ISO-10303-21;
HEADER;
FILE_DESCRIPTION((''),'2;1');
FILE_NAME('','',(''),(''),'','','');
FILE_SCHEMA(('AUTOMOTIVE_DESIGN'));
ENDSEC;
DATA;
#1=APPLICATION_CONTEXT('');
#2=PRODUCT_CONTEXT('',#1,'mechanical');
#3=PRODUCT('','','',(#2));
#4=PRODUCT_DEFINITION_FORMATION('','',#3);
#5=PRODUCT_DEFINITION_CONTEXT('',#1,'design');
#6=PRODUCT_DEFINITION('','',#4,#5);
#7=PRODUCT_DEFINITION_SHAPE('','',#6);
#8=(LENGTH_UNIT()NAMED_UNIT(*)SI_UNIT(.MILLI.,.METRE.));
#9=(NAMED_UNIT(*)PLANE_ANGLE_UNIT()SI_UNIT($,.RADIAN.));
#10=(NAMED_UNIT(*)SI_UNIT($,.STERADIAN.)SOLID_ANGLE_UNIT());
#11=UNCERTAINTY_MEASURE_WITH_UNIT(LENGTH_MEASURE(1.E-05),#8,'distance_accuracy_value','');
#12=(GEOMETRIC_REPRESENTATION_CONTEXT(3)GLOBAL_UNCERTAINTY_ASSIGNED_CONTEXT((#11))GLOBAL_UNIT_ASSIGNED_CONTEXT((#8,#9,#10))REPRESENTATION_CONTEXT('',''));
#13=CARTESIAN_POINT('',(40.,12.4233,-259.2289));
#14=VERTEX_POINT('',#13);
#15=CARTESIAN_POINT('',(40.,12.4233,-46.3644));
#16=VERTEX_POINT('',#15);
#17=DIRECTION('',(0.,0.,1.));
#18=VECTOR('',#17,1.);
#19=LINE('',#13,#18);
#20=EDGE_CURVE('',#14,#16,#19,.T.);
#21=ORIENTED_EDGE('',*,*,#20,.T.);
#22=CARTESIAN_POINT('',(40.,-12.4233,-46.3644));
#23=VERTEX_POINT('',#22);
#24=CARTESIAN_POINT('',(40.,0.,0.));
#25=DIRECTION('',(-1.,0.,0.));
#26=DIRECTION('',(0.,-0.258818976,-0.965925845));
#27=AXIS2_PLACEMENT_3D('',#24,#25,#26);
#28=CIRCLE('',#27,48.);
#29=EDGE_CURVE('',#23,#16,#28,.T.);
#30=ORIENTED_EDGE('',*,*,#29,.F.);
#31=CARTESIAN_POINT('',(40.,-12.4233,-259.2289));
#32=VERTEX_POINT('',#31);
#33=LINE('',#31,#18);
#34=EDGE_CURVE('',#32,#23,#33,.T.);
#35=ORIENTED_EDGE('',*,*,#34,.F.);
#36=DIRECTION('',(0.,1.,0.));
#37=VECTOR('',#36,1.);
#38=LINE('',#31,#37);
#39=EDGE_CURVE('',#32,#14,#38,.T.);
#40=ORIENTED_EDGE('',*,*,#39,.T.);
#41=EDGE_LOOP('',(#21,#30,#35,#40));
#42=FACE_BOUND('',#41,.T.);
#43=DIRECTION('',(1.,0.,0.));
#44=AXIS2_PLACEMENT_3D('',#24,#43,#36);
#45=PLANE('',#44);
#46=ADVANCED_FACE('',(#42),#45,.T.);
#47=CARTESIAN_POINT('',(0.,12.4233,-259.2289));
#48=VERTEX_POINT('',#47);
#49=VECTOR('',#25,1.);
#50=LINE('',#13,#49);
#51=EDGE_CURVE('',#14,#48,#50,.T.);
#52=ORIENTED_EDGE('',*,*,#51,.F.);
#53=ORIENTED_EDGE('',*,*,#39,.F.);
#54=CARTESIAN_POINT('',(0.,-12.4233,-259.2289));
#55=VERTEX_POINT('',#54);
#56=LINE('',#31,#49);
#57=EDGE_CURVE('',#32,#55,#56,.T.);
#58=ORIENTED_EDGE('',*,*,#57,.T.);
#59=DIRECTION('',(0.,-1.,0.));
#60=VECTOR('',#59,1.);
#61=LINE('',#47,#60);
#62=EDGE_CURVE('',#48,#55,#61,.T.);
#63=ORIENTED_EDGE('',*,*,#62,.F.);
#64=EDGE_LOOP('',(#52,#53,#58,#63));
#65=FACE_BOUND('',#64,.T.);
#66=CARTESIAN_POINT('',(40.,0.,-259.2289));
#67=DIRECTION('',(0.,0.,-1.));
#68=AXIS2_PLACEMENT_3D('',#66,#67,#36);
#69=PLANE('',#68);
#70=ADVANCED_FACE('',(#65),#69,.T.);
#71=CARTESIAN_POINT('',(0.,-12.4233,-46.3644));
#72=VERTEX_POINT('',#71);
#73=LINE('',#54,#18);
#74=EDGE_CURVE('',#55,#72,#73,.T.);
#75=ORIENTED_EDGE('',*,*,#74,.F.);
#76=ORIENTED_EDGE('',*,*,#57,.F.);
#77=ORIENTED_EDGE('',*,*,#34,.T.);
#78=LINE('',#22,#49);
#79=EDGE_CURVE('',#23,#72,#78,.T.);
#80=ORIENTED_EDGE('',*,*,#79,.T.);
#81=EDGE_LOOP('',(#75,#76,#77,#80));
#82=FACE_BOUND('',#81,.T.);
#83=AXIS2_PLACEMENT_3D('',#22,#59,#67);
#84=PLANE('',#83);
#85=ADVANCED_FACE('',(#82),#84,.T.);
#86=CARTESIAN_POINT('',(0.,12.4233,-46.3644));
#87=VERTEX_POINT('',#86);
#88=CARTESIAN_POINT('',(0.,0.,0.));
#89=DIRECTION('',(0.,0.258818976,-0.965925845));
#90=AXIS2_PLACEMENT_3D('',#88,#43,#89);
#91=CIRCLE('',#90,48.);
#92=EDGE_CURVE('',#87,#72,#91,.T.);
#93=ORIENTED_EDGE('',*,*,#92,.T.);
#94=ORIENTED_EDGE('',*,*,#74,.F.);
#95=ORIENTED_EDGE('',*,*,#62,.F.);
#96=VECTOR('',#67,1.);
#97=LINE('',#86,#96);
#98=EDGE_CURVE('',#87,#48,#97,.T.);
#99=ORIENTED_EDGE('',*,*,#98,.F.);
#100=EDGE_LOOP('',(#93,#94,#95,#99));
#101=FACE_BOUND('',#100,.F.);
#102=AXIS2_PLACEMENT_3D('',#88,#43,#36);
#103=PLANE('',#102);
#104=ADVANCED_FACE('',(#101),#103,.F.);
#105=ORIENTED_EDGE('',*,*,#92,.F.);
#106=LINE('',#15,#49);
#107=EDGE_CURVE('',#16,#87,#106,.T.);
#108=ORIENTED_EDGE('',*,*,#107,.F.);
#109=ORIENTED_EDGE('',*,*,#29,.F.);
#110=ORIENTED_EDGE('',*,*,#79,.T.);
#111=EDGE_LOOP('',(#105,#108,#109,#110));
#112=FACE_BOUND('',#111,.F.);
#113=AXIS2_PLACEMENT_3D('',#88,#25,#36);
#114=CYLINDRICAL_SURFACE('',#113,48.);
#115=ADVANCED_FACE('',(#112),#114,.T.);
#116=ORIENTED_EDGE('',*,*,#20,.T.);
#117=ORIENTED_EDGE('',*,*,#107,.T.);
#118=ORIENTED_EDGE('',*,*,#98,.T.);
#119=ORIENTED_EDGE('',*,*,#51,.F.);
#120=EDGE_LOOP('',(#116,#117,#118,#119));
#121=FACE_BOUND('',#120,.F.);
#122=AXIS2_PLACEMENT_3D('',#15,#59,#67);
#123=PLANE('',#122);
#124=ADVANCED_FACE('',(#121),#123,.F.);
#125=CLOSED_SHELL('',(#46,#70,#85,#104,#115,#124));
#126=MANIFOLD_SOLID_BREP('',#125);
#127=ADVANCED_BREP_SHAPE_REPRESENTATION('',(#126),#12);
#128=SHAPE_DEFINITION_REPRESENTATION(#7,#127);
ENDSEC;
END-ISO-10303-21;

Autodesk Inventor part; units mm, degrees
ref_plane "YZ Plane" through (0, 0, 0) normal (1, 0, 0) x (0, 1, 0)
ref_plane "XZ Plane" through (0, 0, 0) normal (0, 1, 0) x (-1, 0, 0)
ref_plane "XY Plane" through (0, 0, 0) normal (0, 0, 1) x (1, 0, 0)
sketch "Boceto1" plane through (0, 0, 0) normal (0, 0, 1) x (1, 0, 0)
  point P0 (0, 0)
sketch "Boceto2" plane through (0, 0, 0) normal (1, 0, 0) x (0, 1, 0)
  circle A0 centre (0, 0) radius 48
  dimension "d0" = 96
extrude "Extrusión1" add sketch "Boceto2" along normal blind 40
sketch "Boceto3" plane through (40, 0, 0) normal (1, 0, 0) x (0, 0, -1)
  circle A0 centre (0, 0) radius 48 projected
  arc A1 (48, 0) -> (46.3644, 12.4233) centre (0, 0) ccw
  arc A2 (46.3644, -12.4233) -> (48, 0) centre (0, 0) ccw
  line L0 (46.3644, -12.4233) -> (212.8644, -12.4233)
  line L1 (46.3644, 12.4233) -> (212.8644, 12.4233)
  line L2 (211.2289, 0) -> (259.2289, 0)
  line L3 (259.2289, 0) -> (259.2289, 12.4233)
  line L4 (259.2289, 0) -> (259.2289, -12.4233)
  line L5 (259.2289, -12.4233) -> (212.8644, -12.4233)
  line L6 (259.2289, 12.4233) -> (212.8644, 12.4233)
extrude "Extrusión2" add sketch "Boceto3" against normal blind 40 contours A0 L1 L6 L3 L4 L5 L0
sketch "Boceto4" plane through (40, 0, 0) normal (1, 0, 0) x (0, 0, -1)
  point P0 (0, 0)
properties part number "Hip_v2"
